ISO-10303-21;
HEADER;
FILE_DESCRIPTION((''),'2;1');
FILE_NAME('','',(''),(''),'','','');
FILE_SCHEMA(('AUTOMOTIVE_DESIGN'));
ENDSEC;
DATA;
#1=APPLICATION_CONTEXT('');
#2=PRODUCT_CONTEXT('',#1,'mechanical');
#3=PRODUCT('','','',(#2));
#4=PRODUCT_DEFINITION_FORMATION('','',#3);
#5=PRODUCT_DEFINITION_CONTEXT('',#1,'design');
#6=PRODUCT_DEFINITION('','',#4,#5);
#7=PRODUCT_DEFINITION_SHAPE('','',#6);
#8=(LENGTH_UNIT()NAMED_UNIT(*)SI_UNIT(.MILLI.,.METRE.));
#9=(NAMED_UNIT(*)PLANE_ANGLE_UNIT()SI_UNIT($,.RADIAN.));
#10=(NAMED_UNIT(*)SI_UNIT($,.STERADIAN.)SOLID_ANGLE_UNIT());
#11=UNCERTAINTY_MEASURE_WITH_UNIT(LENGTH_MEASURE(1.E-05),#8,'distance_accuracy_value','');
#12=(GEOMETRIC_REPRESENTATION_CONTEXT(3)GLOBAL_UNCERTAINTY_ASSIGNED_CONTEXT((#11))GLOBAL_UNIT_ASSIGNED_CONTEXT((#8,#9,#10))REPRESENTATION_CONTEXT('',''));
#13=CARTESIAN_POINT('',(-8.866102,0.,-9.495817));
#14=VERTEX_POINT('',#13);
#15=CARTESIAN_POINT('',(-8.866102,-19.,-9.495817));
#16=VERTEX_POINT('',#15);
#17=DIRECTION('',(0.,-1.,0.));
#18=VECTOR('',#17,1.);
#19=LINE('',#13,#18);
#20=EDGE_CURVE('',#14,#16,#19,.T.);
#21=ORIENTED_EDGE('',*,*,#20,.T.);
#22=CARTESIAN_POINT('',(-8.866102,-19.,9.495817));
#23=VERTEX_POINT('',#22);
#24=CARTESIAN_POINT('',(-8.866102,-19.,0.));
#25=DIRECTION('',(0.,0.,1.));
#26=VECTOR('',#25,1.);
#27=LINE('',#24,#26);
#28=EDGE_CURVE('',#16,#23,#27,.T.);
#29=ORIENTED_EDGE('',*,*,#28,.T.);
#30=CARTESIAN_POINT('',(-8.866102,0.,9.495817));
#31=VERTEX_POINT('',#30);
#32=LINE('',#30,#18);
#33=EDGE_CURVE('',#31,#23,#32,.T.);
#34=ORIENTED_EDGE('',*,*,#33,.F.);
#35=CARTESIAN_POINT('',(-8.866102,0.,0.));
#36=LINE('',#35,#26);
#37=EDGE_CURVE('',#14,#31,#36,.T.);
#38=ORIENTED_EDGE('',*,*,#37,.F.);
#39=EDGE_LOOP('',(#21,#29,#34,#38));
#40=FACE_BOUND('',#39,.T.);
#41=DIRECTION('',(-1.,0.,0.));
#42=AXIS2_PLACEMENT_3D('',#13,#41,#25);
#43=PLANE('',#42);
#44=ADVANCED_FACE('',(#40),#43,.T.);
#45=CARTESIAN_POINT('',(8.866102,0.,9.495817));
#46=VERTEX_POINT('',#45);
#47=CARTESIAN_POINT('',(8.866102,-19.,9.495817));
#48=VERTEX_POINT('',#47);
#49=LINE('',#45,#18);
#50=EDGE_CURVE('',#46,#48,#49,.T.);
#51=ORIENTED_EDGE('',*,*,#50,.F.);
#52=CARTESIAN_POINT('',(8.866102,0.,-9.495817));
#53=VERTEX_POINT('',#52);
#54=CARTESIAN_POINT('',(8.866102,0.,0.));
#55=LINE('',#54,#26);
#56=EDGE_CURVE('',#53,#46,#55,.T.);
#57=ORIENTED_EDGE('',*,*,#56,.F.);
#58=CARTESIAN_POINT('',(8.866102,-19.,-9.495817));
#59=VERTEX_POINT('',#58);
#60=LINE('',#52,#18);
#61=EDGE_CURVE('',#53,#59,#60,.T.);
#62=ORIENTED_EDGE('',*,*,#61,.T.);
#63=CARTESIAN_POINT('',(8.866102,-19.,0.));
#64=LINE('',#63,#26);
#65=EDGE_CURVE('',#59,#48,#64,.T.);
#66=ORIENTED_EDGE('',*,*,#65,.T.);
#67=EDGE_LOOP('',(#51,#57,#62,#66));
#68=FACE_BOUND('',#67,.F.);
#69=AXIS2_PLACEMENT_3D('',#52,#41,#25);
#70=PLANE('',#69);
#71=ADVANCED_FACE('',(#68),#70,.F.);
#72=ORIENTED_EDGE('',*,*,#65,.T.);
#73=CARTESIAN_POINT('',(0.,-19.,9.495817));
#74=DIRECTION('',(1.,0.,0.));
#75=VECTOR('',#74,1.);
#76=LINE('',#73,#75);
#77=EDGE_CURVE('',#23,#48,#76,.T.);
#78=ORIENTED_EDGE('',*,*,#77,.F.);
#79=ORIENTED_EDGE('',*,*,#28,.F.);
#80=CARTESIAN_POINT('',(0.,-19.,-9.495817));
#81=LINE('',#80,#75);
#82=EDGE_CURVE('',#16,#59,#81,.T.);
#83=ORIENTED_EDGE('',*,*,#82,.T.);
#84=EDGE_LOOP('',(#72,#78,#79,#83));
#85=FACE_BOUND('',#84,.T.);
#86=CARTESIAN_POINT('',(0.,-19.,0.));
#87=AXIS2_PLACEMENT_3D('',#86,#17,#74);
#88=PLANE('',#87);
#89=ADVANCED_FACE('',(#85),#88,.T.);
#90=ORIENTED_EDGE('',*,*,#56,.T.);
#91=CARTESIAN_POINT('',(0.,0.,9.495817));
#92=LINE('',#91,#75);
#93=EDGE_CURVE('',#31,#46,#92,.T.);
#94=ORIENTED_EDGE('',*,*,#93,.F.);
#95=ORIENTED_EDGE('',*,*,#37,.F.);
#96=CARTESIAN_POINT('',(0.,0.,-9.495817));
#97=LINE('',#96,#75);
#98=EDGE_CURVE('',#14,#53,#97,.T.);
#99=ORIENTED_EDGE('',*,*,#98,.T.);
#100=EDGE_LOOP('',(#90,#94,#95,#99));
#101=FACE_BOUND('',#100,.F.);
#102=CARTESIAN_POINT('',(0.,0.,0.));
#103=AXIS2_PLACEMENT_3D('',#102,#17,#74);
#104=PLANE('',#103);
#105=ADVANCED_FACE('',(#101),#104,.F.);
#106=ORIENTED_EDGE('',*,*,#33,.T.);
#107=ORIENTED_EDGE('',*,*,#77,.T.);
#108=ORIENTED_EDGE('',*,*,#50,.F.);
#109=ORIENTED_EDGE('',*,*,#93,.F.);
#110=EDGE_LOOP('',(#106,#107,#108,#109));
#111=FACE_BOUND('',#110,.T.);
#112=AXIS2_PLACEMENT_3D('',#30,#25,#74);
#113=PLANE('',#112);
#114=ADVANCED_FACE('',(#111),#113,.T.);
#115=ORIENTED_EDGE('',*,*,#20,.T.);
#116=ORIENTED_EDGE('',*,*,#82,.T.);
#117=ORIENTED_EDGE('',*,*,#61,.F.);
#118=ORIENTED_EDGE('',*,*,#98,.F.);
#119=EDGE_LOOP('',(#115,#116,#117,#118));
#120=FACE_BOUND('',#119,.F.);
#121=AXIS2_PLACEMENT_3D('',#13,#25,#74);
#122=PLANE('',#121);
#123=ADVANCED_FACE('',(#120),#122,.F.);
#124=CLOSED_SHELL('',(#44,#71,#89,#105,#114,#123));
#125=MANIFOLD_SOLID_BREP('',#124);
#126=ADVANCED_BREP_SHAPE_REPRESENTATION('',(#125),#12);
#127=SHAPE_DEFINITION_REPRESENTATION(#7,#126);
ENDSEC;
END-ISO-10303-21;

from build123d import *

# Parameters (mm, degrees)
F0_W     = 17.732204
F0_H     = 18.991634
F1_DEPTH = 19


with BuildPart() as f1:
    # F0 (on Front) → F1 (new body)
    with BuildSketch(Plane.XZ):
        Rectangle(F0_W, F0_H)
    extrude(amount=F1_DEPTH)


solid = f1.part
